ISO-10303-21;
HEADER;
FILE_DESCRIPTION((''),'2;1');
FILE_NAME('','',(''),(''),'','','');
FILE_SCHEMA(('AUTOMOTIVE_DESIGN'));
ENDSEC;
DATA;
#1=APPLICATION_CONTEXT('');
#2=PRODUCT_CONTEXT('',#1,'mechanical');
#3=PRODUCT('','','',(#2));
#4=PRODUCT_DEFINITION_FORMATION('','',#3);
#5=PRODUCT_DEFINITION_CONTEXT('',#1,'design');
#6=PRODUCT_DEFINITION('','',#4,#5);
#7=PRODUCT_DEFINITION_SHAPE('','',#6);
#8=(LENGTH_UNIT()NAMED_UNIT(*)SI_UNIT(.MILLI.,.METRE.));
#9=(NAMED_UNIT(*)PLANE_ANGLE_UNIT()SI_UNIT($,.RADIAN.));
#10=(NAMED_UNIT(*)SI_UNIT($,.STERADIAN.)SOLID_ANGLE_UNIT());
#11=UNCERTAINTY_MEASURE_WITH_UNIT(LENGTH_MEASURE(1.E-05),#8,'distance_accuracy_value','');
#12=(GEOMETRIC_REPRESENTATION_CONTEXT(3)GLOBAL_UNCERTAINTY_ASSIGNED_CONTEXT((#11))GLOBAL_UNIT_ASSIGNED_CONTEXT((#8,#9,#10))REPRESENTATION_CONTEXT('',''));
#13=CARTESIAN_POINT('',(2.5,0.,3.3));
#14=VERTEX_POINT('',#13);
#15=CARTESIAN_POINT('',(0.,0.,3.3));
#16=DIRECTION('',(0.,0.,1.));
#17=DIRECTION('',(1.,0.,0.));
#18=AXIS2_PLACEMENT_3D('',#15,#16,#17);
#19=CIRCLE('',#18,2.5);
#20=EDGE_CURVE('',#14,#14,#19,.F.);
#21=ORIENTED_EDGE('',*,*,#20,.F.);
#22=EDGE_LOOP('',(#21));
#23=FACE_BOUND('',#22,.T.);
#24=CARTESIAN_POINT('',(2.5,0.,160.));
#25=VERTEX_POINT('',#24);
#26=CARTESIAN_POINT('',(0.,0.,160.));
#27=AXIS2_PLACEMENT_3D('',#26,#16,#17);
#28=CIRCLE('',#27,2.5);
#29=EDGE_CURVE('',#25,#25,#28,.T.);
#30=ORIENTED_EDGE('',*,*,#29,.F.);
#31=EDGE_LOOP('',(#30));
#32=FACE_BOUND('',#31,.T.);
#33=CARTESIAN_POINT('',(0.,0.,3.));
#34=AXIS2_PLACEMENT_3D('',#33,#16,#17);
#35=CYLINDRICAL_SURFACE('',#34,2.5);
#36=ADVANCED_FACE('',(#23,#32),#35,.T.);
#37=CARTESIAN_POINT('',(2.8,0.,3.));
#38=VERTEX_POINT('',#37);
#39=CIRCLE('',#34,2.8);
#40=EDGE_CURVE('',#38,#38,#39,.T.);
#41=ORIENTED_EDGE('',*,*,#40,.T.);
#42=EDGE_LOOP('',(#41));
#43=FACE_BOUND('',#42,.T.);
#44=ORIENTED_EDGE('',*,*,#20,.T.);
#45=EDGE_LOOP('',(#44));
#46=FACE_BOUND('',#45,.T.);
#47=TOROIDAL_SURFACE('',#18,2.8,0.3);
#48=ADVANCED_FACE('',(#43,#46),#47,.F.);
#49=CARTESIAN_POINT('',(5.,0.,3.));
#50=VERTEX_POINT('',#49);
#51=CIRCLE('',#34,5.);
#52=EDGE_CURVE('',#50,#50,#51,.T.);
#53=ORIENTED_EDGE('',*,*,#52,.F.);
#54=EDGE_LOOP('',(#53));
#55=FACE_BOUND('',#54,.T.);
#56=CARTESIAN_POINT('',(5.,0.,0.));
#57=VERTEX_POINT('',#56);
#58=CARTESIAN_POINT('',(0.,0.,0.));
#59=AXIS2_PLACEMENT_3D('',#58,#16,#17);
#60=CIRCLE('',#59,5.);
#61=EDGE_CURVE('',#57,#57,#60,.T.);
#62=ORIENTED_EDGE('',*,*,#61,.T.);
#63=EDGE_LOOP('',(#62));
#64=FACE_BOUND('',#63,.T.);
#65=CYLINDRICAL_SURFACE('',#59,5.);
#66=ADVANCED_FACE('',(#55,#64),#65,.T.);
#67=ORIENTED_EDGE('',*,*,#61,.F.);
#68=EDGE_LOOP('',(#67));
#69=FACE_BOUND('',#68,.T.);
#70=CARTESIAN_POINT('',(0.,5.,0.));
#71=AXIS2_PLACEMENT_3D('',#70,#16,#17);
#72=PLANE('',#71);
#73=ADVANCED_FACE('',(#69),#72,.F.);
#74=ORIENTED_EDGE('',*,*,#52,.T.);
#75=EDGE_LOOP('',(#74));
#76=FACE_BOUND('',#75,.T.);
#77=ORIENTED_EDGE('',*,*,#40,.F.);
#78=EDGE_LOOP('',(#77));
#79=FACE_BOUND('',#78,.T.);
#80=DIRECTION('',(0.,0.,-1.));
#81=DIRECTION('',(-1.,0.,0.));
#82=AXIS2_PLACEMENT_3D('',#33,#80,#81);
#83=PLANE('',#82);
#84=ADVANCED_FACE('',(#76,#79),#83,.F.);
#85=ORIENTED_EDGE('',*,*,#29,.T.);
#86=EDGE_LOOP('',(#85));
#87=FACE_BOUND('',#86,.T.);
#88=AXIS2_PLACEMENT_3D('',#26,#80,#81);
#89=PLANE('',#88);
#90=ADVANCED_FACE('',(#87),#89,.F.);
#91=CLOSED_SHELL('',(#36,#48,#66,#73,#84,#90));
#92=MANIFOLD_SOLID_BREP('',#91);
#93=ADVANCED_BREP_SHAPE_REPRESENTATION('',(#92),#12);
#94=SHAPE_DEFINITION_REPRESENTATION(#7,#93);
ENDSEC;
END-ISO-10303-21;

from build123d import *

# Parameters (mm, degrees)
SZKIC1_W = 3
SZKIC1_H = 5
SZKIC2_W = 157
SZKIC2_H = 2.5


with BuildPart() as part:
    # Szkic1 → Obrót1 (revolve)
    with BuildSketch(Plane(origin=(0, 0, 0), x_dir=(0, 0, -1), z_dir=(1, 0, 0))):
        with Locations((-1.5, 2.5)):
            Rectangle(SZKIC1_W, SZKIC1_H)
    revolve(axis=Axis((0, 0, 0), (0, 0, 1)))

    # Szkic2 → Obrót2 (revolve)
    with BuildSketch(Plane(origin=(0, 0, 0), x_dir=(0, 0, -1), z_dir=(1, 0, 0))):
        with Locations((-81.5, 1.25)):
            Rectangle(SZKIC2_W, SZKIC2_H)
    revolve(axis=Axis((0, 0, 3), (0, 0, 1)))

    # Szkic3 → Obrót3 (revolve)
    with BuildSketch(Plane(origin=(0, 0, 0), x_dir=(0, 0, -1), z_dir=(1, 0, 0))):
        with BuildLine():
            Line((-3.3, 2.5), (-3, 2.5))
            Line((-3, 2.5), (-3, 2.8))
            ThreePointArc((-3, 2.8), (-3.087867966, 2.587867966), (-3.3, 2.5))
        make_face()
    revolve(axis=Axis((0, 0, 0), (0, 0, 1)))


solid = part.part
